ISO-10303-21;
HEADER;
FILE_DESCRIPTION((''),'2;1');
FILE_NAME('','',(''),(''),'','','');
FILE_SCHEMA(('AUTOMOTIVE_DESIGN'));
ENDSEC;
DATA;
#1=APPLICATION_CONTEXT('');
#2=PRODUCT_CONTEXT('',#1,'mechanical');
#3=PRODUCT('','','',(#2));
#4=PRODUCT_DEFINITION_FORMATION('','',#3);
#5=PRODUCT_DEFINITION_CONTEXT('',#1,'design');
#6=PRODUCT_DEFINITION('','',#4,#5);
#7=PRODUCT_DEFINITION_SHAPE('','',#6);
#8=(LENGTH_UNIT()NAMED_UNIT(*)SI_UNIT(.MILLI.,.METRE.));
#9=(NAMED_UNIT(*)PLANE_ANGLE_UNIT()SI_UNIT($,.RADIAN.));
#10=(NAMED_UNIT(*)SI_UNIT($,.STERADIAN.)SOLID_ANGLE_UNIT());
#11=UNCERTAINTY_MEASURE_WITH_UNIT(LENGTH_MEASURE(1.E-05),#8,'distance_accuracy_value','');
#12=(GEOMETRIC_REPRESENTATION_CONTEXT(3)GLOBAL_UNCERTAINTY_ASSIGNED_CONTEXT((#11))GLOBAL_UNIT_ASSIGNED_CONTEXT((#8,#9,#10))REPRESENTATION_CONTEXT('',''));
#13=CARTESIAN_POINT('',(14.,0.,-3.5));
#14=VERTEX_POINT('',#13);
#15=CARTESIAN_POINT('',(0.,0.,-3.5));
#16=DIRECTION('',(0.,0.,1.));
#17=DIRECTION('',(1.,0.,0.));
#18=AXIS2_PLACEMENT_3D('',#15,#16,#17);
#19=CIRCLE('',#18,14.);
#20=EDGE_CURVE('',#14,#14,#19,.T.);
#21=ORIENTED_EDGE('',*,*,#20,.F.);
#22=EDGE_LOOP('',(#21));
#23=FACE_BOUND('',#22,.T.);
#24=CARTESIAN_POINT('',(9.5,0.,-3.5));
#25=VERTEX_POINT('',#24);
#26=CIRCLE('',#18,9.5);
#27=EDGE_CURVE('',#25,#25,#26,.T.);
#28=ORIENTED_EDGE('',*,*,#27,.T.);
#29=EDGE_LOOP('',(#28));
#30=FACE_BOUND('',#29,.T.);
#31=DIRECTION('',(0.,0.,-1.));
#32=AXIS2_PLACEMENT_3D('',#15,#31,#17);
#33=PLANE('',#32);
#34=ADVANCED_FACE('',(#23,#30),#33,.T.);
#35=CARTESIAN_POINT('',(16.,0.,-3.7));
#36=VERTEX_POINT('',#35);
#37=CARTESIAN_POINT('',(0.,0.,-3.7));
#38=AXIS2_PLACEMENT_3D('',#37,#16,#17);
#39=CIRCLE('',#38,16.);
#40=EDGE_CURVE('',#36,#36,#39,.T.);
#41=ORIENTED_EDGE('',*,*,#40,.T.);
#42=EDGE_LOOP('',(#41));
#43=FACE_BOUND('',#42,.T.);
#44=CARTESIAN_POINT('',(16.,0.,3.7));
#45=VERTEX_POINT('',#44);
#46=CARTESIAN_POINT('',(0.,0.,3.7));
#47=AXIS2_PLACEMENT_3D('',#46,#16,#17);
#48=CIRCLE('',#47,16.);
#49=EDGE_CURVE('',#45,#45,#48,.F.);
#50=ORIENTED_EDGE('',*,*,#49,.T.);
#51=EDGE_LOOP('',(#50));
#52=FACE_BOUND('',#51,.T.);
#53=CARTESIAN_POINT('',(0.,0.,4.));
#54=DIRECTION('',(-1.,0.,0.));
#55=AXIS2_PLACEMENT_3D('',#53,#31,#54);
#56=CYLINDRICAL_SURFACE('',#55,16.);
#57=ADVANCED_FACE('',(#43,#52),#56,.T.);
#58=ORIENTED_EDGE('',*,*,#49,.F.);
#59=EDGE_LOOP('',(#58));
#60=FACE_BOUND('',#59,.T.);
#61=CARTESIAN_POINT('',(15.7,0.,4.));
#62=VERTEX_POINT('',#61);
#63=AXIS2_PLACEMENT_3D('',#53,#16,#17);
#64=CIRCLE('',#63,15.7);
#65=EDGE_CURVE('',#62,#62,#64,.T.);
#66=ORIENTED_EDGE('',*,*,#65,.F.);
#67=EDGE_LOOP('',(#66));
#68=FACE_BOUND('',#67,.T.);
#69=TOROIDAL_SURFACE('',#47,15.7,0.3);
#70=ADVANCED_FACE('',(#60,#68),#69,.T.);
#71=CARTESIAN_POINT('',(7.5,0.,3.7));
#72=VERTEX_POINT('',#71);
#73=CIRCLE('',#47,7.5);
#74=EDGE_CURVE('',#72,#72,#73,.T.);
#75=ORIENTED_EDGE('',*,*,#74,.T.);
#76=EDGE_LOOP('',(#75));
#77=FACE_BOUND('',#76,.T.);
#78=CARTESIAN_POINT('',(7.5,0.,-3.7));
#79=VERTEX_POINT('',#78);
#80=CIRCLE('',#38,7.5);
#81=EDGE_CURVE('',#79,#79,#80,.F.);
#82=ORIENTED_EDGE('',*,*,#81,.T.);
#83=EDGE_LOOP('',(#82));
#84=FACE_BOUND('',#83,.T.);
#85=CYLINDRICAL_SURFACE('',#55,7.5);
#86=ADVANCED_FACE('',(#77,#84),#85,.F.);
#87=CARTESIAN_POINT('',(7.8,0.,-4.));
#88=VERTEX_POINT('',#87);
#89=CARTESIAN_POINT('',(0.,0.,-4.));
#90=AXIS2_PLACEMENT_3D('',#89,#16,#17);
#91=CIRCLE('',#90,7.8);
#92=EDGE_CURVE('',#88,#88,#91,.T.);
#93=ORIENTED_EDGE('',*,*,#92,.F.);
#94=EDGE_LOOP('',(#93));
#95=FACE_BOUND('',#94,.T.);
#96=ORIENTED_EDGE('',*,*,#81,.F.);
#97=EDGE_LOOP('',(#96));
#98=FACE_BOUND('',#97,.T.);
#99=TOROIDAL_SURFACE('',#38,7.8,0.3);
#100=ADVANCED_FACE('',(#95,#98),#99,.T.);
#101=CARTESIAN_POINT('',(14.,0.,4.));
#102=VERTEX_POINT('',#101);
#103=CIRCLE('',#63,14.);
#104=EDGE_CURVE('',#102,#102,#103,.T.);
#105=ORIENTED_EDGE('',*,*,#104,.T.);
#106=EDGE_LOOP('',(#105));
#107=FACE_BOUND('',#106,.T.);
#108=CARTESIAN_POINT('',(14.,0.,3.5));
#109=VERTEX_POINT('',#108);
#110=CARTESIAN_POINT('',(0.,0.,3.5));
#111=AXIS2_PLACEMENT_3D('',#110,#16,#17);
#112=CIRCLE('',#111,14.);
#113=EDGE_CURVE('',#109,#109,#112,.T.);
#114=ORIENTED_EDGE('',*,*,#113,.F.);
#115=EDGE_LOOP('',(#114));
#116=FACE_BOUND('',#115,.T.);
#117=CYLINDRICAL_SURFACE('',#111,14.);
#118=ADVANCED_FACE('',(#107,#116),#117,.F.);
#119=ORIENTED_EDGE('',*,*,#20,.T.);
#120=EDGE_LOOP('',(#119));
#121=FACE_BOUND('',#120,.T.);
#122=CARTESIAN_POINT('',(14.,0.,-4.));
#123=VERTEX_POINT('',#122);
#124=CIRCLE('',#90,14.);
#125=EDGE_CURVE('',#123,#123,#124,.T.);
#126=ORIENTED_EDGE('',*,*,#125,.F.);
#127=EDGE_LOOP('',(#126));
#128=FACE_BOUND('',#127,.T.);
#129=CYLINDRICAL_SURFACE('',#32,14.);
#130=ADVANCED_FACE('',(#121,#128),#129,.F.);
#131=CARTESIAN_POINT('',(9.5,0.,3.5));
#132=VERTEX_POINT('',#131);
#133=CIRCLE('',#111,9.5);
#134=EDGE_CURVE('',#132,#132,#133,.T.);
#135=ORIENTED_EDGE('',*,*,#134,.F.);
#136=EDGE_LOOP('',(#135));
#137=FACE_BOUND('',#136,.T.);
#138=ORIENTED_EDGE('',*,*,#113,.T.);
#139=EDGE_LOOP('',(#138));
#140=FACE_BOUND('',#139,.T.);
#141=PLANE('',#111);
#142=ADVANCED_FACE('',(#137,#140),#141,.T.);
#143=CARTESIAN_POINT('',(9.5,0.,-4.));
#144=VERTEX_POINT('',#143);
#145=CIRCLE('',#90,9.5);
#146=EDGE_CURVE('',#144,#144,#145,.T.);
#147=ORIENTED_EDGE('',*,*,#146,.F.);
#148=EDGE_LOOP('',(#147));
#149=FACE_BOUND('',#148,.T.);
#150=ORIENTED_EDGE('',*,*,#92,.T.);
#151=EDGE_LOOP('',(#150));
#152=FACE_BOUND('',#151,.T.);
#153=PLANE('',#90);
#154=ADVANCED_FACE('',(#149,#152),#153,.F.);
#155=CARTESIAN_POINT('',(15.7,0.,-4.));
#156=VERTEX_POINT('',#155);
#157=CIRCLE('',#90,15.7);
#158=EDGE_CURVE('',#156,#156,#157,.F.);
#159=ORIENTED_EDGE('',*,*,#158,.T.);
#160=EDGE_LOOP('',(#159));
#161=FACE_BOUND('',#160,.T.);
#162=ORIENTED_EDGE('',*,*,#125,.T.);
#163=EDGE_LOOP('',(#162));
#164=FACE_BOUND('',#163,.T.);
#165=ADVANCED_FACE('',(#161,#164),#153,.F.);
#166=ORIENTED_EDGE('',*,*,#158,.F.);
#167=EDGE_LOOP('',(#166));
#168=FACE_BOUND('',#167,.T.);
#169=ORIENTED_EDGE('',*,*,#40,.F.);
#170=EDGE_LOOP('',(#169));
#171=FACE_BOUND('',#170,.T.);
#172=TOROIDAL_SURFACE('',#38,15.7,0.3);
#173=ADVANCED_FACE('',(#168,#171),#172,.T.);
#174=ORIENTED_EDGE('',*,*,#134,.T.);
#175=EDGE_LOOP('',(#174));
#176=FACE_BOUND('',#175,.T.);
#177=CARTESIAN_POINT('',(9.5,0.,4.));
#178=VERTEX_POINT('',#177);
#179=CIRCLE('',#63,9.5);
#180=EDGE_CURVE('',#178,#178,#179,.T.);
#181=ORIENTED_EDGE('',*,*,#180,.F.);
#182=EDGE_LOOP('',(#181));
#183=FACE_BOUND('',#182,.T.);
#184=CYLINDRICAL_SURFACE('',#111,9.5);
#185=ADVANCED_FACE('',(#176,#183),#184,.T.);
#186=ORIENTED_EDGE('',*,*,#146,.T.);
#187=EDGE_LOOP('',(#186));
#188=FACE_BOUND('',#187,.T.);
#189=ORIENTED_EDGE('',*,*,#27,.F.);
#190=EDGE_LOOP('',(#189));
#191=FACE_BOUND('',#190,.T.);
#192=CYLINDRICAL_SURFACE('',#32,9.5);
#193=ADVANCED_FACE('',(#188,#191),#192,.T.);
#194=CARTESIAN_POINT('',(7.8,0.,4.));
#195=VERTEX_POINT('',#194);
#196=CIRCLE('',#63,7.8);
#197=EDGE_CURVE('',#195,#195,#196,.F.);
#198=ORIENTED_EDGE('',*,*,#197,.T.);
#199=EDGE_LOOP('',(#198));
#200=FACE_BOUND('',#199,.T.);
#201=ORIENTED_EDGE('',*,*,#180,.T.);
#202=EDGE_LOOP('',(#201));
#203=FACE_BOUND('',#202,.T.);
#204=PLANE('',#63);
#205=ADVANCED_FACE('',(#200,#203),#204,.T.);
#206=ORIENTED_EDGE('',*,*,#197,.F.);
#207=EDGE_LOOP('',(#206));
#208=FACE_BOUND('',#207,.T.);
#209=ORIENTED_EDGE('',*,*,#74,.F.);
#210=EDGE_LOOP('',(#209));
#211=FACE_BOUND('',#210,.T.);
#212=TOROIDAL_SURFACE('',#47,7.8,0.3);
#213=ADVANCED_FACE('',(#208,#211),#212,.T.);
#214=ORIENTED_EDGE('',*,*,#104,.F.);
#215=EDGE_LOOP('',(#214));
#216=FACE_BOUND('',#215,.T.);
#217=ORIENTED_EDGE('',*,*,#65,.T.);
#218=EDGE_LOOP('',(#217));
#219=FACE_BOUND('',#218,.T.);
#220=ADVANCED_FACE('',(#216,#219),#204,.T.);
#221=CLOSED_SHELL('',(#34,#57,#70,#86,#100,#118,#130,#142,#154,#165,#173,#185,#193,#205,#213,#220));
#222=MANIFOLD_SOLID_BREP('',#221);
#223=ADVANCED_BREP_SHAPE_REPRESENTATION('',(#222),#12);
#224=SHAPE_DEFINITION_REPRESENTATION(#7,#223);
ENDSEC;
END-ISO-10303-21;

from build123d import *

# Parameters (mm, degrees)
SKETCH1_R           = 16
SKETCH1_R_2         = 7.5
BOSS_EXTRUDE1_DEPTH = 4
SKETCH2_R           = 14
SKETCH2_R_2         = 9.5
CUT_EXTRUDE1_DEPTH  = 0.5
FILLET1_R           = 0.3


with BuildPart() as part:
    # Sketch1 → Boss-Extrude1 (new, symmetric)
    with BuildSketch(Plane.XY):
        Circle(SKETCH1_R)
        Circle(SKETCH1_R_2, mode=Mode.SUBTRACT)
    extrude(amount=BOSS_EXTRUDE1_DEPTH, both=True)

    # Sketch2 → Cut-Extrude1 (cut)
    with BuildSketch(Plane.XY.offset(4)):
        Circle(SKETCH2_R)
        Circle(SKETCH2_R_2, mode=Mode.SUBTRACT)
    cut_extrude1 = extrude(amount=-CUT_EXTRUDE1_DEPTH, mode=Mode.SUBTRACT)

    # Fillet1
    fillet1_edges = [part.edges().sort_by_distance(p)[0] for p in [
        (-16, 0, -4),
        (-16, 0, 4),
        (-7.5, 0, -4),
        (-7.5, 0, 4),
    ]]
    fillet(fillet1_edges, radius=FILLET1_R)

    # Mirror4: Cut-Extrude1 across plane
    add(cut_extrude1.mirror(Plane.XY), mode=Mode.SUBTRACT)


solid = part.part
